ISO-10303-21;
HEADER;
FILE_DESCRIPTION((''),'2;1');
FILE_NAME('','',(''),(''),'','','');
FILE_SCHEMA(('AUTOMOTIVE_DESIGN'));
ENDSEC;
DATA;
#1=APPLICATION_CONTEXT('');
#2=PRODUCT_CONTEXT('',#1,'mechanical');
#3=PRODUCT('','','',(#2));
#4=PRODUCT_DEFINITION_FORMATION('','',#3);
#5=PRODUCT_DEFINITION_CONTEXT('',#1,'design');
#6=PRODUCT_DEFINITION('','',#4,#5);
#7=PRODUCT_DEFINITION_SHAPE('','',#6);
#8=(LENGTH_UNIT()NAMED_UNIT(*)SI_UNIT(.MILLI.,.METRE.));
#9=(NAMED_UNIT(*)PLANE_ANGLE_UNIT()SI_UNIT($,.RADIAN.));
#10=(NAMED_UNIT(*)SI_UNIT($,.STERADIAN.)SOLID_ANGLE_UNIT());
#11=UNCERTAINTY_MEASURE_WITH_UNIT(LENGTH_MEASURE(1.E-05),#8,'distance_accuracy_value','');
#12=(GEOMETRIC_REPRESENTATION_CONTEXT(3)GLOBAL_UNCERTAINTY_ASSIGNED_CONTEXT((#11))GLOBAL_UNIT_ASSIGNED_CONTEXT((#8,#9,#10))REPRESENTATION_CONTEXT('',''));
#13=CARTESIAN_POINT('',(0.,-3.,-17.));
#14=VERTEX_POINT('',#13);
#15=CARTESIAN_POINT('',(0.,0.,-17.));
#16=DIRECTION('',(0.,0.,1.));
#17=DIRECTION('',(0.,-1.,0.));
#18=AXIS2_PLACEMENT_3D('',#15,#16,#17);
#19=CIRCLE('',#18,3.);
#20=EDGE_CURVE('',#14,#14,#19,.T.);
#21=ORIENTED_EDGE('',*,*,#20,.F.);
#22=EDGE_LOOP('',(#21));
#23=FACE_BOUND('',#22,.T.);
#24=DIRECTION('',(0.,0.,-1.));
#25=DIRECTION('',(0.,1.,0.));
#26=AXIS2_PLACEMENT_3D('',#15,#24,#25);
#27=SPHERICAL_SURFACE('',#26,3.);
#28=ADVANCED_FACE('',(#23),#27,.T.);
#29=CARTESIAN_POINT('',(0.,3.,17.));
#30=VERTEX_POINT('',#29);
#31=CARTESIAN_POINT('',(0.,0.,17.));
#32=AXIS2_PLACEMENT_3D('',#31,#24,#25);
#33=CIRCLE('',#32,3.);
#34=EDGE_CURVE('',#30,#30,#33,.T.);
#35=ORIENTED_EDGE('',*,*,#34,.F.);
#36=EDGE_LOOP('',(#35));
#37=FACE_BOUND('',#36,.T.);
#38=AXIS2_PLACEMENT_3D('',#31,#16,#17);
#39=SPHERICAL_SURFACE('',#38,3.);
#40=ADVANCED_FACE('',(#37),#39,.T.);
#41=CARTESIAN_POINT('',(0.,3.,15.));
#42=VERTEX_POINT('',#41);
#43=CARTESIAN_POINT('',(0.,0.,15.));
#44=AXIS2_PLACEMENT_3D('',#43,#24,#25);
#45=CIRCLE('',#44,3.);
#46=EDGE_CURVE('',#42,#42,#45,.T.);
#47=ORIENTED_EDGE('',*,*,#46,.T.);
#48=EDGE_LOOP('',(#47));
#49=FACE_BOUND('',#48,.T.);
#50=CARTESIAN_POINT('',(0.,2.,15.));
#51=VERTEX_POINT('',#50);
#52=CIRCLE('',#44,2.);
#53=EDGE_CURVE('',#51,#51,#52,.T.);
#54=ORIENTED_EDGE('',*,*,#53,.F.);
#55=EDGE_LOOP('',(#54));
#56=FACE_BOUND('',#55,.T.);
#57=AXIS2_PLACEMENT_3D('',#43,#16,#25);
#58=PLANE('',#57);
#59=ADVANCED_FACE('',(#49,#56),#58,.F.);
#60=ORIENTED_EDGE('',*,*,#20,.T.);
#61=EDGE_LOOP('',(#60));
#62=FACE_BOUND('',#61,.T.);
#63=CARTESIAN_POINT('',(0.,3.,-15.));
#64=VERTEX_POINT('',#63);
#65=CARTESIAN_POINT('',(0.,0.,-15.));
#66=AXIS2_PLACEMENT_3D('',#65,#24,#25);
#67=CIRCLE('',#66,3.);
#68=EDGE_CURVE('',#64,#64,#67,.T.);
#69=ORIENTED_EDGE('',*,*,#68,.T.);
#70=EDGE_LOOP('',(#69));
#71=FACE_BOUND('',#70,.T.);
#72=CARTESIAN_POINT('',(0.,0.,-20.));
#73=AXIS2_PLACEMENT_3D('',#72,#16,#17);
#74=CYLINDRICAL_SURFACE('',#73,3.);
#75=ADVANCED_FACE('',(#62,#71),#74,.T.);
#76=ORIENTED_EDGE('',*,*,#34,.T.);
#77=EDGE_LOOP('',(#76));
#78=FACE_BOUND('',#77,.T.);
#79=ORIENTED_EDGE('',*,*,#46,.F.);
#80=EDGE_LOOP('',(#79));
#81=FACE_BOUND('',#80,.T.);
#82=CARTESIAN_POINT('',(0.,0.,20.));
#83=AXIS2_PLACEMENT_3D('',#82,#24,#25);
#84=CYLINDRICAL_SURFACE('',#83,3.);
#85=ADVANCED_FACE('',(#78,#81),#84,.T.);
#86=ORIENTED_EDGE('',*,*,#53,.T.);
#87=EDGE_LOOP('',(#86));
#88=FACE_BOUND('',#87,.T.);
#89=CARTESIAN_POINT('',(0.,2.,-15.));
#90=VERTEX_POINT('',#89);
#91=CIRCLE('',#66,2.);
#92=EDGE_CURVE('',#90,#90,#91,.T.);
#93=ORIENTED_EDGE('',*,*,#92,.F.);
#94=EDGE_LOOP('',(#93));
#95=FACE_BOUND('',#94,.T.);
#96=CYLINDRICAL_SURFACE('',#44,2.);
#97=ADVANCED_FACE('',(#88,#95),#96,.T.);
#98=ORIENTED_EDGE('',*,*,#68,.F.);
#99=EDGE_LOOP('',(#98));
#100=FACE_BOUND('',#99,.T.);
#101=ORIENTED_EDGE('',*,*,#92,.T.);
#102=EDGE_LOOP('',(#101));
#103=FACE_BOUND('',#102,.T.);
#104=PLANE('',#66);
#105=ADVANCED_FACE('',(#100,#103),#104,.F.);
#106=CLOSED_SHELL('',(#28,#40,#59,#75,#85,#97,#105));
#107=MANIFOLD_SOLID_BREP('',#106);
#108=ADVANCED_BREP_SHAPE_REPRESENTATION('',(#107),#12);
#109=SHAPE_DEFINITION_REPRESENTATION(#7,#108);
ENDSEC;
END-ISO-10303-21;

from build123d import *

# Parameters (mm, degrees)
SWEEP1_PROFILE_R     = 2
SKETCH11_R           = 3
BOSS_EXTRUDE1_DEPTH  = 5
FILLET2_R            = 3
FILLET2_OF_MIRROR1_R = 3


with BuildPart() as part:
    # Sweep1: sweep along a path in Sketch1
    with BuildLine(Plane(origin=(0, 0, 0), x_dir=(0, 0, -1), z_dir=(1, 0, 0))) as sweep1_path:
        Line((-14.999999972, 0), (14.999999972, 0))
    # Sweep1 profile (on start of the path) → Sweep1 (sweep)
    with BuildSketch(Plane(origin=(0, 0, 14.999999972), x_dir=(0, -1, 0), z_dir=(0, 0, -1))):
        Circle(SWEEP1_PROFILE_R)
    sweep(path=sweep1_path.line)

    # Sketch11 → Boss-Extrude1 (add)
    with BuildSketch(Plane(origin=(0, 0, -14.999999972), x_dir=(-1, 0, 0), z_dir=(0, 0, -1))):
        with Locations(Location((0, 0, 0), (0, 0, 90))):
            Circle(SKETCH11_R)
    boss_extrude1 = extrude(amount=BOSS_EXTRUDE1_DEPTH)

    # Fillet2
    fillet2_edges = [part.edges().sort_by_distance(p)[0] for p in [
        (0, -3, -19.999999972),
    ]]
    fillet(fillet2_edges, radius=FILLET2_R)

    # Mirror1: Boss-Extrude1 across plane
    add(boss_extrude1.mirror(Plane.XY))

    # Fillet2 of Mirror1
    fillet2_of_mirror1_edges = [part.edges().sort_by_distance(p)[0] for p in [
        (0, -3, 19.999999972),
    ]]
    fillet(fillet2_of_mirror1_edges, radius=FILLET2_OF_MIRROR1_R)


solid = part.part
